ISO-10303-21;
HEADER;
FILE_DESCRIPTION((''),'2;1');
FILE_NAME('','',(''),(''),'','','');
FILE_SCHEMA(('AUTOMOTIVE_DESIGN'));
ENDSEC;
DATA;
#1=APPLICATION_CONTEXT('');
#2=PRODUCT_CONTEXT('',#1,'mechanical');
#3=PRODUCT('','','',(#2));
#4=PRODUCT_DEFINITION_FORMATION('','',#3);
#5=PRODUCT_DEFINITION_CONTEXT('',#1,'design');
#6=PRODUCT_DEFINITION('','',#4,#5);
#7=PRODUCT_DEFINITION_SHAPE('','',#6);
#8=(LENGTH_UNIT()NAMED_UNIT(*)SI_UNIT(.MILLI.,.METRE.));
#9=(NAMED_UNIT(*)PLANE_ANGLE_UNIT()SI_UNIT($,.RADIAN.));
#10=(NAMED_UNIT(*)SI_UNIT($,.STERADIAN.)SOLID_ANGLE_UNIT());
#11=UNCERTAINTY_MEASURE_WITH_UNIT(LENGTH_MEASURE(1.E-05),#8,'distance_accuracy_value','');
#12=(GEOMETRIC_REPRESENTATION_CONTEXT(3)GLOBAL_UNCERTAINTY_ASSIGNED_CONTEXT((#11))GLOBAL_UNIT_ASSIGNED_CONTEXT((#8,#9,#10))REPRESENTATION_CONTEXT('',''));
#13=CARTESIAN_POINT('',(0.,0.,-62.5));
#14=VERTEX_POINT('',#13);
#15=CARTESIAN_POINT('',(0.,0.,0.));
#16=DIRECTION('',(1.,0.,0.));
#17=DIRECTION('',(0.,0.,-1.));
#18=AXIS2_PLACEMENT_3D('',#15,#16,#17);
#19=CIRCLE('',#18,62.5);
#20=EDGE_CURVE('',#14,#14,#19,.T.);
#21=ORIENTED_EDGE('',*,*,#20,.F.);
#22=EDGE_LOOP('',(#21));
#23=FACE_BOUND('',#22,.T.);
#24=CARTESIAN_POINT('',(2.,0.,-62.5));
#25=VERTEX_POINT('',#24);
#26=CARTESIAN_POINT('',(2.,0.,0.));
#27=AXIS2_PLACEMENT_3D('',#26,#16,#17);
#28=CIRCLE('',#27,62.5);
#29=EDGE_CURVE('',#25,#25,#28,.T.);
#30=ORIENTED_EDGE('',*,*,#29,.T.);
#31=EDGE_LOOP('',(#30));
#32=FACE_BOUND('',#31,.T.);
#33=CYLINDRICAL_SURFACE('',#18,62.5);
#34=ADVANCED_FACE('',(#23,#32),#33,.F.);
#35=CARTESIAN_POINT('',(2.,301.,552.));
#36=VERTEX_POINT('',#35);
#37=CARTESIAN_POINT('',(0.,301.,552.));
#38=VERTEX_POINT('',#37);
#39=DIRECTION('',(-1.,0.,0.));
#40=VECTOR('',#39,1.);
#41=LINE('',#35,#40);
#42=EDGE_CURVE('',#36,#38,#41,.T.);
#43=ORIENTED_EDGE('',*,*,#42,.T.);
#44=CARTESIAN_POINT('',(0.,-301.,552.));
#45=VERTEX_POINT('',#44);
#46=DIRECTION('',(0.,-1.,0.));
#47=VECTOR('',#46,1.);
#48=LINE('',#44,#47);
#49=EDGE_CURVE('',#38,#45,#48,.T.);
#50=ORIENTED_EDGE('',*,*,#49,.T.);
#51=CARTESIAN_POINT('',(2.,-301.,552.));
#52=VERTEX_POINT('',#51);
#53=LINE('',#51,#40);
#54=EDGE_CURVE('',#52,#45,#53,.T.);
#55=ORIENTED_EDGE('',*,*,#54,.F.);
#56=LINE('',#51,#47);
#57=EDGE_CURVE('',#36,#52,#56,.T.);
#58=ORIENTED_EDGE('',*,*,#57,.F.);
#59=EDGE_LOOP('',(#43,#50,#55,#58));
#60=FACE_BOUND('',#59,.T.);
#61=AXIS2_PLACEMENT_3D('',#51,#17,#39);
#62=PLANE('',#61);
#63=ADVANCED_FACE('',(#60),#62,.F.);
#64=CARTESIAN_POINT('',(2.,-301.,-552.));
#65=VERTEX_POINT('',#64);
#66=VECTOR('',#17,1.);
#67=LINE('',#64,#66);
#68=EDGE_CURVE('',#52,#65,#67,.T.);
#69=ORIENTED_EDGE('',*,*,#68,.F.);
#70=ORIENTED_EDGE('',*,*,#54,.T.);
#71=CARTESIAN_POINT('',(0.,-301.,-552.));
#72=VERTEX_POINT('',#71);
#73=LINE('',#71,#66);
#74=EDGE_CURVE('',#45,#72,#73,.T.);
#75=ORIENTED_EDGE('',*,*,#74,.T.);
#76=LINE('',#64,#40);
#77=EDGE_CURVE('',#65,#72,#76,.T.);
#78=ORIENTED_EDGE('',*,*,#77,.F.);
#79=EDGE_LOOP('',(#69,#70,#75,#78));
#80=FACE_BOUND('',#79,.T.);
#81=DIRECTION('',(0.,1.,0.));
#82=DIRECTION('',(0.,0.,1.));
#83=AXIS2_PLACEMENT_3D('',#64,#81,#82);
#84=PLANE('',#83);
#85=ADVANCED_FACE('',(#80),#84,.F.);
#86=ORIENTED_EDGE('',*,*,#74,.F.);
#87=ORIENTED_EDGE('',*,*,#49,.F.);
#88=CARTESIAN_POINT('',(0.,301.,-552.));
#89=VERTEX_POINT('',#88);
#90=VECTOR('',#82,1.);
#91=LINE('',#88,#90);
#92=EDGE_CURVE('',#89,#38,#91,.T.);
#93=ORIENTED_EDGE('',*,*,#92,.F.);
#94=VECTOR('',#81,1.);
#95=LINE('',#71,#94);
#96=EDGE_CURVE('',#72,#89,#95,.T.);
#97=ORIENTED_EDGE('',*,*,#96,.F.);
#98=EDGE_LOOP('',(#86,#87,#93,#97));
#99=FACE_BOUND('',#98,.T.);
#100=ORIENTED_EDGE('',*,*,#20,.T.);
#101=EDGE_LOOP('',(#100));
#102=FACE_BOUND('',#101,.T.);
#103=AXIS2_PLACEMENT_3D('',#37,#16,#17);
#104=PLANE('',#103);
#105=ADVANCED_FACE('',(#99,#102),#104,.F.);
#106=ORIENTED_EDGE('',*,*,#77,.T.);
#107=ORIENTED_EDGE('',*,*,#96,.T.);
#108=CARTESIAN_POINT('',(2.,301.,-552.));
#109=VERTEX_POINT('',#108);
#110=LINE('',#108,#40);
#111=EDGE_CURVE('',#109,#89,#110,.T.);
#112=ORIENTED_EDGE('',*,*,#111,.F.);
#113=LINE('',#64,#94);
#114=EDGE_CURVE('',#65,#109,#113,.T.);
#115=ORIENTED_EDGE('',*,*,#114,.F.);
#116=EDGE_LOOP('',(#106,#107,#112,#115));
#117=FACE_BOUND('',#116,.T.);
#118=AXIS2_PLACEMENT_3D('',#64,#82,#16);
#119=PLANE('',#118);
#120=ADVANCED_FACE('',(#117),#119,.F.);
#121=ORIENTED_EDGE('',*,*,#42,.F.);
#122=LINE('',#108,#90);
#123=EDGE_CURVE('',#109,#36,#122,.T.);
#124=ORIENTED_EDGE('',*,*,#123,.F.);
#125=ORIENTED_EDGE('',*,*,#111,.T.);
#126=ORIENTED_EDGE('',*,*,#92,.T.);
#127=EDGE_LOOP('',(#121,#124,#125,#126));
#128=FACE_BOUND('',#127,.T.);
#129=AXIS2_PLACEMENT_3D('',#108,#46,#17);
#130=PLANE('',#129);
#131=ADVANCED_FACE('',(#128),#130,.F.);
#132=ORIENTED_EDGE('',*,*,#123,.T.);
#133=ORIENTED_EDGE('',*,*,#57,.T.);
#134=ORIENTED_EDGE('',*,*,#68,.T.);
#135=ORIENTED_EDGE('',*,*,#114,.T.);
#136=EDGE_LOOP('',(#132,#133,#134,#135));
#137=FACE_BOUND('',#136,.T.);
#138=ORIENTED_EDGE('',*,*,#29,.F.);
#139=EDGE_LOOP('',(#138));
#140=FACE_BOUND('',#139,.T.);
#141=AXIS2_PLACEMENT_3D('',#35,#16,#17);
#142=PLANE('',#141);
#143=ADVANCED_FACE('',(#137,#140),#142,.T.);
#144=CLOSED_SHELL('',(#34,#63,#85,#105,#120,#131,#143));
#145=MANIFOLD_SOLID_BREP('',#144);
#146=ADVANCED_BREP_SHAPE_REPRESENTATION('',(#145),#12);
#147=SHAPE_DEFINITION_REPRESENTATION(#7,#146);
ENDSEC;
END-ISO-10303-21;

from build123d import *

# Parameters (mm, degrees)
CROQUIS1_W     = 1104
CROQUIS1_H     = 602
EXTRUIR1_DEPTH = 2
CROQUIS2_R     = 62.5
EXTRUIR2_DEPTH = 2


with BuildPart() as part:
    # Croquis1 → Extruir1 (new body)
    with BuildSketch(Plane(origin=(0, 0, 0), x_dir=(0, 0, -1), z_dir=(1, 0, 0))):
        Rectangle(CROQUIS1_W, CROQUIS1_H)
    extrude(amount=EXTRUIR1_DEPTH)

    # Croquis2 → Extruir2 (cut)
    with BuildSketch(Plane(origin=(2, 0, 0), x_dir=(0, 0, -1), z_dir=(1, 0, 0))):
        Circle(CROQUIS2_R)
    extrude(amount=-EXTRUIR2_DEPTH, mode=Mode.SUBTRACT)


solid = part.part
